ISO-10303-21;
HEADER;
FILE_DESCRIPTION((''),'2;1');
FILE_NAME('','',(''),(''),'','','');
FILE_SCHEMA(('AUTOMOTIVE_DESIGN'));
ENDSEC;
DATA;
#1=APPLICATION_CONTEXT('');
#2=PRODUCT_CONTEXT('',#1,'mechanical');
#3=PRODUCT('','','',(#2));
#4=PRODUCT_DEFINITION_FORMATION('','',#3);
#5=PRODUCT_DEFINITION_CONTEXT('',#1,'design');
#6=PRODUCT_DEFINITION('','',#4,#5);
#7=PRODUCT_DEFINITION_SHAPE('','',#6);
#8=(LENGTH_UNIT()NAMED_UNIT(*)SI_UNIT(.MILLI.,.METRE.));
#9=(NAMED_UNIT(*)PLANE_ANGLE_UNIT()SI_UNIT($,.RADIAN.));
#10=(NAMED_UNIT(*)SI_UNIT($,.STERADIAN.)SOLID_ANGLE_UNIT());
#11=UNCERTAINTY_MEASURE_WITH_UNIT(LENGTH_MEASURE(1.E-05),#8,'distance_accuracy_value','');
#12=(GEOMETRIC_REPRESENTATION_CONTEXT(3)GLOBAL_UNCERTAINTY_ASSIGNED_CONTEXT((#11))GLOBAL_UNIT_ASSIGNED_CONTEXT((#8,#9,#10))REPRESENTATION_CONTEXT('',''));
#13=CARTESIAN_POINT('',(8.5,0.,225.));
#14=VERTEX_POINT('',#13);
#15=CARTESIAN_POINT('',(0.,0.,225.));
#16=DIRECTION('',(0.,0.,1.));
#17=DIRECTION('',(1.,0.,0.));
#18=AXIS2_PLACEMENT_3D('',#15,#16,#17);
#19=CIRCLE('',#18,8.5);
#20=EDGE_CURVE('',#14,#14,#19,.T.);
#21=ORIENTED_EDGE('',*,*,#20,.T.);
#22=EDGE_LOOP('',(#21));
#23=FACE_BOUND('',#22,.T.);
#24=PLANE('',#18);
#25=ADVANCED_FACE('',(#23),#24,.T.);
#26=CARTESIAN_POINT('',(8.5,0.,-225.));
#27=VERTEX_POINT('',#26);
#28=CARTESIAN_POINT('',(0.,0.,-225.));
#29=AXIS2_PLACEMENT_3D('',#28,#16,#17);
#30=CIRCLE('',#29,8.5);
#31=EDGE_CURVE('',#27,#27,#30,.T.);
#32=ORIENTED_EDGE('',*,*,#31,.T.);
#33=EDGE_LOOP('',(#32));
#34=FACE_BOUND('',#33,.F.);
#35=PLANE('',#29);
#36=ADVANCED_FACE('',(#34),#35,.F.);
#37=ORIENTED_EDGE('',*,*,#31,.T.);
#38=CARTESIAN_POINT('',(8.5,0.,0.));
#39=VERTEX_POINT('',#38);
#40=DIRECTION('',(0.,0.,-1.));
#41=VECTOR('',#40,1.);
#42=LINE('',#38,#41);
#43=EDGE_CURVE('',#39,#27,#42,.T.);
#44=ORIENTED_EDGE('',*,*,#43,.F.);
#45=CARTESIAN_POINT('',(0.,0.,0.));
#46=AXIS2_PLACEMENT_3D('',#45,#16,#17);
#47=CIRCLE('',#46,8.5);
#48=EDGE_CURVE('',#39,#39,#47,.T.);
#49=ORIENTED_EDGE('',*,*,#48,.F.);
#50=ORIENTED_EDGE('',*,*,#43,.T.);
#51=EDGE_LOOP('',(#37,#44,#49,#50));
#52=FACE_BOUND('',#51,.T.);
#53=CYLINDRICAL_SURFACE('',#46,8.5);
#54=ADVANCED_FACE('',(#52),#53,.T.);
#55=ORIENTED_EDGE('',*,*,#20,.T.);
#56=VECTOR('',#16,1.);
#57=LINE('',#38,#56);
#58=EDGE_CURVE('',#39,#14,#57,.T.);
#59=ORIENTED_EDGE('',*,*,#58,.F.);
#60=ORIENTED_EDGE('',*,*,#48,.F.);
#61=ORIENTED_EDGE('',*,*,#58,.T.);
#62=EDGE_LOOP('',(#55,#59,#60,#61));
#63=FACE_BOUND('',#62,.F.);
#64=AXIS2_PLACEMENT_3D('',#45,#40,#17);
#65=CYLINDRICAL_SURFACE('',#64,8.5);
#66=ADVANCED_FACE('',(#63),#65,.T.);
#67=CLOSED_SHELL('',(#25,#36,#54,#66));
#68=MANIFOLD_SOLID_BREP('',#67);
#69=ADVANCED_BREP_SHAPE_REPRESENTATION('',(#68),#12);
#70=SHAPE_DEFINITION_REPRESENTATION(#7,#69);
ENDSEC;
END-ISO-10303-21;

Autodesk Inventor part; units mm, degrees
ref_plane "YZ Plane" through (0, 0, 0) normal (1, 0, 0) x (0, 1, 0)
ref_plane "XZ Plane" through (0, 0, 0) normal (0, 1, 0) x (-1, 0, 0)
ref_plane "XY Plane" through (0, 0, 0) normal (0, 0, 1) x (1, 0, 0)
sketch "Sketch1" plane through (0, 0, 0) normal (0, 0, 1) x (1, 0, 0)
  circle A0 centre (0, 0) radius 8.5
  dimension "d0" = 17
extrude "Extrusion1" add sketch "Sketch1" along normal mid plane 450
properties part number "Fond-Shaft"
